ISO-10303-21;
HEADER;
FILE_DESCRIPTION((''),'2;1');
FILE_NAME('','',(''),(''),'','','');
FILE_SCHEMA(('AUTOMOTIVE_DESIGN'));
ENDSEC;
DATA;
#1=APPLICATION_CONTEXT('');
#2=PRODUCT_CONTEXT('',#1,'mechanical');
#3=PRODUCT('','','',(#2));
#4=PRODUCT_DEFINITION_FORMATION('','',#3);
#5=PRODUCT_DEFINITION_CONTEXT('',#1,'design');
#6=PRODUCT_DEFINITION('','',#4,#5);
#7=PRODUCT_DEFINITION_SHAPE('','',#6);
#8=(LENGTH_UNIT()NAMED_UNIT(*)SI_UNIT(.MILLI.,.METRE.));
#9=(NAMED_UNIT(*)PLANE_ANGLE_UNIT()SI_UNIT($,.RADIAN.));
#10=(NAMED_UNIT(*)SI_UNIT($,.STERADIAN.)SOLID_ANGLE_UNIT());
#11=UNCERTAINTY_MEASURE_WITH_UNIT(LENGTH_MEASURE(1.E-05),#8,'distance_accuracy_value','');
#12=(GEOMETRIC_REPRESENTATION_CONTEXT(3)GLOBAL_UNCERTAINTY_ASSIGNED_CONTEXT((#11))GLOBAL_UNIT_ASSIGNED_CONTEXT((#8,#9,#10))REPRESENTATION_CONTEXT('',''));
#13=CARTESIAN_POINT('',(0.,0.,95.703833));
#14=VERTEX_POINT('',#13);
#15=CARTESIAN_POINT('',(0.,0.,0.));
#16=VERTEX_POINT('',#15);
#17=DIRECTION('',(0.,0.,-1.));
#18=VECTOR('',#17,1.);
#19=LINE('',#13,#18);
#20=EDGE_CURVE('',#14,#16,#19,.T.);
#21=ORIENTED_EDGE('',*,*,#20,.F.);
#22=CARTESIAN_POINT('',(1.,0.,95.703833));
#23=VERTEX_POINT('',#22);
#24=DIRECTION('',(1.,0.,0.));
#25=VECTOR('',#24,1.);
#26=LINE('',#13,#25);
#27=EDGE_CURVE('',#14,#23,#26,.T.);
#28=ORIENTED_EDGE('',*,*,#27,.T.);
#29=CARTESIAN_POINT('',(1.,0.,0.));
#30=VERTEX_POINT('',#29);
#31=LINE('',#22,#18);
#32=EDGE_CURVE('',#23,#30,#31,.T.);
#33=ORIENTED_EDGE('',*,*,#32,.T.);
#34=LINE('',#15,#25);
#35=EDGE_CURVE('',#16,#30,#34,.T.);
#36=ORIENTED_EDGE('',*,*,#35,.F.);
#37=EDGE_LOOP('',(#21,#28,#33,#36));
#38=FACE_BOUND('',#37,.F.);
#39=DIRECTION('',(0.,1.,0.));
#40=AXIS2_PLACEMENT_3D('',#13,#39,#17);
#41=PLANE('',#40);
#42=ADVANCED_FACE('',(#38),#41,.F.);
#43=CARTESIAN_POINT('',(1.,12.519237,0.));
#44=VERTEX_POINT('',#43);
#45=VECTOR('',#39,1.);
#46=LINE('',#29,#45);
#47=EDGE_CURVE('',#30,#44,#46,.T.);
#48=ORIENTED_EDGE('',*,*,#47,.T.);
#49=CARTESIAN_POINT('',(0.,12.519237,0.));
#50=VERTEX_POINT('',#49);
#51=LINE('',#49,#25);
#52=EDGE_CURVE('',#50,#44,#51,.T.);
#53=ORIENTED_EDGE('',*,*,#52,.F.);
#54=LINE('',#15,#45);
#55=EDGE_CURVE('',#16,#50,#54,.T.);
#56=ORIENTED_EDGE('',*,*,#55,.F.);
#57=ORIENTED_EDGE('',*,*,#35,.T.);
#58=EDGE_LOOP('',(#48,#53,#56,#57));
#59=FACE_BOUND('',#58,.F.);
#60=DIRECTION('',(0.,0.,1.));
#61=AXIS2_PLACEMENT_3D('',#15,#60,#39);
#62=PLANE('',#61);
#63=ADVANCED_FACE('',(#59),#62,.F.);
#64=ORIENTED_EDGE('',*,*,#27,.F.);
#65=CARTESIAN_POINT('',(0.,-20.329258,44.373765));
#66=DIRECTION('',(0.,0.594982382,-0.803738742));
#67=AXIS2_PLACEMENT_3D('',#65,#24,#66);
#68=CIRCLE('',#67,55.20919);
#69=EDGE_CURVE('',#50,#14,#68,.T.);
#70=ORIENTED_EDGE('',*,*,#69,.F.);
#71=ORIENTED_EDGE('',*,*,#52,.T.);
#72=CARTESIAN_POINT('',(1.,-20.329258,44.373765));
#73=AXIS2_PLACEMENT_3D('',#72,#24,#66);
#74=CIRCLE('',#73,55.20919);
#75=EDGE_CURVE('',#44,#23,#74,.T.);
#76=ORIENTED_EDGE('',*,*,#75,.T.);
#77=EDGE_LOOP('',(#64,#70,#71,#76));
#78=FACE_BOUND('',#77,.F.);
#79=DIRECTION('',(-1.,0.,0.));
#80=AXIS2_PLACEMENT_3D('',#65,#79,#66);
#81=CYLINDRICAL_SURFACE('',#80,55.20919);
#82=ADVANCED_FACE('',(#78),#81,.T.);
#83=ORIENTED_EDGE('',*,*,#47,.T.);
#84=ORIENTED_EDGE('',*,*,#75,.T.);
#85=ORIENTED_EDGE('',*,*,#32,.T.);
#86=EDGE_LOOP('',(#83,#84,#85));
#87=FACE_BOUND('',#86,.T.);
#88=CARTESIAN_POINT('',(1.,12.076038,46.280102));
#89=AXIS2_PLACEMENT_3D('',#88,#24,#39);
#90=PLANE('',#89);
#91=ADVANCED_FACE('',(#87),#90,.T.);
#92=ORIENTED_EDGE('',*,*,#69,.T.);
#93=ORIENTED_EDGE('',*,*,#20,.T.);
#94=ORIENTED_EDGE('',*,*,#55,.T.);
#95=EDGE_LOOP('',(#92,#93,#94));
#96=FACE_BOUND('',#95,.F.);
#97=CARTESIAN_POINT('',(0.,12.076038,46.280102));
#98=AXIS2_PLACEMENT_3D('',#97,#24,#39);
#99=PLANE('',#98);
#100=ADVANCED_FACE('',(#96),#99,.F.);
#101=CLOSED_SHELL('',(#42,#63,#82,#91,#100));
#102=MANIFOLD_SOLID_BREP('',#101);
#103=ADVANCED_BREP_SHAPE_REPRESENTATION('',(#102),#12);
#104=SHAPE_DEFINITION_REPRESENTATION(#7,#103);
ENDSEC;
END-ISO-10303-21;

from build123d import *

# Parameters (mm, degrees)
F1_DEPTH = 1


with BuildPart() as f1:
    # F0 (on Right) → F1 (new body)
    with BuildSketch(Plane.YZ):
        with BuildLine():
            Line((0, 95.703833), (0, 0))
            Line((0, 0), (12.519237, 0))
            ThreePointArc((12.519237, 0), (34.413543, 51.534795), (0, 95.703833))
        make_face()
    extrude(amount=F1_DEPTH)


solid = f1.part
